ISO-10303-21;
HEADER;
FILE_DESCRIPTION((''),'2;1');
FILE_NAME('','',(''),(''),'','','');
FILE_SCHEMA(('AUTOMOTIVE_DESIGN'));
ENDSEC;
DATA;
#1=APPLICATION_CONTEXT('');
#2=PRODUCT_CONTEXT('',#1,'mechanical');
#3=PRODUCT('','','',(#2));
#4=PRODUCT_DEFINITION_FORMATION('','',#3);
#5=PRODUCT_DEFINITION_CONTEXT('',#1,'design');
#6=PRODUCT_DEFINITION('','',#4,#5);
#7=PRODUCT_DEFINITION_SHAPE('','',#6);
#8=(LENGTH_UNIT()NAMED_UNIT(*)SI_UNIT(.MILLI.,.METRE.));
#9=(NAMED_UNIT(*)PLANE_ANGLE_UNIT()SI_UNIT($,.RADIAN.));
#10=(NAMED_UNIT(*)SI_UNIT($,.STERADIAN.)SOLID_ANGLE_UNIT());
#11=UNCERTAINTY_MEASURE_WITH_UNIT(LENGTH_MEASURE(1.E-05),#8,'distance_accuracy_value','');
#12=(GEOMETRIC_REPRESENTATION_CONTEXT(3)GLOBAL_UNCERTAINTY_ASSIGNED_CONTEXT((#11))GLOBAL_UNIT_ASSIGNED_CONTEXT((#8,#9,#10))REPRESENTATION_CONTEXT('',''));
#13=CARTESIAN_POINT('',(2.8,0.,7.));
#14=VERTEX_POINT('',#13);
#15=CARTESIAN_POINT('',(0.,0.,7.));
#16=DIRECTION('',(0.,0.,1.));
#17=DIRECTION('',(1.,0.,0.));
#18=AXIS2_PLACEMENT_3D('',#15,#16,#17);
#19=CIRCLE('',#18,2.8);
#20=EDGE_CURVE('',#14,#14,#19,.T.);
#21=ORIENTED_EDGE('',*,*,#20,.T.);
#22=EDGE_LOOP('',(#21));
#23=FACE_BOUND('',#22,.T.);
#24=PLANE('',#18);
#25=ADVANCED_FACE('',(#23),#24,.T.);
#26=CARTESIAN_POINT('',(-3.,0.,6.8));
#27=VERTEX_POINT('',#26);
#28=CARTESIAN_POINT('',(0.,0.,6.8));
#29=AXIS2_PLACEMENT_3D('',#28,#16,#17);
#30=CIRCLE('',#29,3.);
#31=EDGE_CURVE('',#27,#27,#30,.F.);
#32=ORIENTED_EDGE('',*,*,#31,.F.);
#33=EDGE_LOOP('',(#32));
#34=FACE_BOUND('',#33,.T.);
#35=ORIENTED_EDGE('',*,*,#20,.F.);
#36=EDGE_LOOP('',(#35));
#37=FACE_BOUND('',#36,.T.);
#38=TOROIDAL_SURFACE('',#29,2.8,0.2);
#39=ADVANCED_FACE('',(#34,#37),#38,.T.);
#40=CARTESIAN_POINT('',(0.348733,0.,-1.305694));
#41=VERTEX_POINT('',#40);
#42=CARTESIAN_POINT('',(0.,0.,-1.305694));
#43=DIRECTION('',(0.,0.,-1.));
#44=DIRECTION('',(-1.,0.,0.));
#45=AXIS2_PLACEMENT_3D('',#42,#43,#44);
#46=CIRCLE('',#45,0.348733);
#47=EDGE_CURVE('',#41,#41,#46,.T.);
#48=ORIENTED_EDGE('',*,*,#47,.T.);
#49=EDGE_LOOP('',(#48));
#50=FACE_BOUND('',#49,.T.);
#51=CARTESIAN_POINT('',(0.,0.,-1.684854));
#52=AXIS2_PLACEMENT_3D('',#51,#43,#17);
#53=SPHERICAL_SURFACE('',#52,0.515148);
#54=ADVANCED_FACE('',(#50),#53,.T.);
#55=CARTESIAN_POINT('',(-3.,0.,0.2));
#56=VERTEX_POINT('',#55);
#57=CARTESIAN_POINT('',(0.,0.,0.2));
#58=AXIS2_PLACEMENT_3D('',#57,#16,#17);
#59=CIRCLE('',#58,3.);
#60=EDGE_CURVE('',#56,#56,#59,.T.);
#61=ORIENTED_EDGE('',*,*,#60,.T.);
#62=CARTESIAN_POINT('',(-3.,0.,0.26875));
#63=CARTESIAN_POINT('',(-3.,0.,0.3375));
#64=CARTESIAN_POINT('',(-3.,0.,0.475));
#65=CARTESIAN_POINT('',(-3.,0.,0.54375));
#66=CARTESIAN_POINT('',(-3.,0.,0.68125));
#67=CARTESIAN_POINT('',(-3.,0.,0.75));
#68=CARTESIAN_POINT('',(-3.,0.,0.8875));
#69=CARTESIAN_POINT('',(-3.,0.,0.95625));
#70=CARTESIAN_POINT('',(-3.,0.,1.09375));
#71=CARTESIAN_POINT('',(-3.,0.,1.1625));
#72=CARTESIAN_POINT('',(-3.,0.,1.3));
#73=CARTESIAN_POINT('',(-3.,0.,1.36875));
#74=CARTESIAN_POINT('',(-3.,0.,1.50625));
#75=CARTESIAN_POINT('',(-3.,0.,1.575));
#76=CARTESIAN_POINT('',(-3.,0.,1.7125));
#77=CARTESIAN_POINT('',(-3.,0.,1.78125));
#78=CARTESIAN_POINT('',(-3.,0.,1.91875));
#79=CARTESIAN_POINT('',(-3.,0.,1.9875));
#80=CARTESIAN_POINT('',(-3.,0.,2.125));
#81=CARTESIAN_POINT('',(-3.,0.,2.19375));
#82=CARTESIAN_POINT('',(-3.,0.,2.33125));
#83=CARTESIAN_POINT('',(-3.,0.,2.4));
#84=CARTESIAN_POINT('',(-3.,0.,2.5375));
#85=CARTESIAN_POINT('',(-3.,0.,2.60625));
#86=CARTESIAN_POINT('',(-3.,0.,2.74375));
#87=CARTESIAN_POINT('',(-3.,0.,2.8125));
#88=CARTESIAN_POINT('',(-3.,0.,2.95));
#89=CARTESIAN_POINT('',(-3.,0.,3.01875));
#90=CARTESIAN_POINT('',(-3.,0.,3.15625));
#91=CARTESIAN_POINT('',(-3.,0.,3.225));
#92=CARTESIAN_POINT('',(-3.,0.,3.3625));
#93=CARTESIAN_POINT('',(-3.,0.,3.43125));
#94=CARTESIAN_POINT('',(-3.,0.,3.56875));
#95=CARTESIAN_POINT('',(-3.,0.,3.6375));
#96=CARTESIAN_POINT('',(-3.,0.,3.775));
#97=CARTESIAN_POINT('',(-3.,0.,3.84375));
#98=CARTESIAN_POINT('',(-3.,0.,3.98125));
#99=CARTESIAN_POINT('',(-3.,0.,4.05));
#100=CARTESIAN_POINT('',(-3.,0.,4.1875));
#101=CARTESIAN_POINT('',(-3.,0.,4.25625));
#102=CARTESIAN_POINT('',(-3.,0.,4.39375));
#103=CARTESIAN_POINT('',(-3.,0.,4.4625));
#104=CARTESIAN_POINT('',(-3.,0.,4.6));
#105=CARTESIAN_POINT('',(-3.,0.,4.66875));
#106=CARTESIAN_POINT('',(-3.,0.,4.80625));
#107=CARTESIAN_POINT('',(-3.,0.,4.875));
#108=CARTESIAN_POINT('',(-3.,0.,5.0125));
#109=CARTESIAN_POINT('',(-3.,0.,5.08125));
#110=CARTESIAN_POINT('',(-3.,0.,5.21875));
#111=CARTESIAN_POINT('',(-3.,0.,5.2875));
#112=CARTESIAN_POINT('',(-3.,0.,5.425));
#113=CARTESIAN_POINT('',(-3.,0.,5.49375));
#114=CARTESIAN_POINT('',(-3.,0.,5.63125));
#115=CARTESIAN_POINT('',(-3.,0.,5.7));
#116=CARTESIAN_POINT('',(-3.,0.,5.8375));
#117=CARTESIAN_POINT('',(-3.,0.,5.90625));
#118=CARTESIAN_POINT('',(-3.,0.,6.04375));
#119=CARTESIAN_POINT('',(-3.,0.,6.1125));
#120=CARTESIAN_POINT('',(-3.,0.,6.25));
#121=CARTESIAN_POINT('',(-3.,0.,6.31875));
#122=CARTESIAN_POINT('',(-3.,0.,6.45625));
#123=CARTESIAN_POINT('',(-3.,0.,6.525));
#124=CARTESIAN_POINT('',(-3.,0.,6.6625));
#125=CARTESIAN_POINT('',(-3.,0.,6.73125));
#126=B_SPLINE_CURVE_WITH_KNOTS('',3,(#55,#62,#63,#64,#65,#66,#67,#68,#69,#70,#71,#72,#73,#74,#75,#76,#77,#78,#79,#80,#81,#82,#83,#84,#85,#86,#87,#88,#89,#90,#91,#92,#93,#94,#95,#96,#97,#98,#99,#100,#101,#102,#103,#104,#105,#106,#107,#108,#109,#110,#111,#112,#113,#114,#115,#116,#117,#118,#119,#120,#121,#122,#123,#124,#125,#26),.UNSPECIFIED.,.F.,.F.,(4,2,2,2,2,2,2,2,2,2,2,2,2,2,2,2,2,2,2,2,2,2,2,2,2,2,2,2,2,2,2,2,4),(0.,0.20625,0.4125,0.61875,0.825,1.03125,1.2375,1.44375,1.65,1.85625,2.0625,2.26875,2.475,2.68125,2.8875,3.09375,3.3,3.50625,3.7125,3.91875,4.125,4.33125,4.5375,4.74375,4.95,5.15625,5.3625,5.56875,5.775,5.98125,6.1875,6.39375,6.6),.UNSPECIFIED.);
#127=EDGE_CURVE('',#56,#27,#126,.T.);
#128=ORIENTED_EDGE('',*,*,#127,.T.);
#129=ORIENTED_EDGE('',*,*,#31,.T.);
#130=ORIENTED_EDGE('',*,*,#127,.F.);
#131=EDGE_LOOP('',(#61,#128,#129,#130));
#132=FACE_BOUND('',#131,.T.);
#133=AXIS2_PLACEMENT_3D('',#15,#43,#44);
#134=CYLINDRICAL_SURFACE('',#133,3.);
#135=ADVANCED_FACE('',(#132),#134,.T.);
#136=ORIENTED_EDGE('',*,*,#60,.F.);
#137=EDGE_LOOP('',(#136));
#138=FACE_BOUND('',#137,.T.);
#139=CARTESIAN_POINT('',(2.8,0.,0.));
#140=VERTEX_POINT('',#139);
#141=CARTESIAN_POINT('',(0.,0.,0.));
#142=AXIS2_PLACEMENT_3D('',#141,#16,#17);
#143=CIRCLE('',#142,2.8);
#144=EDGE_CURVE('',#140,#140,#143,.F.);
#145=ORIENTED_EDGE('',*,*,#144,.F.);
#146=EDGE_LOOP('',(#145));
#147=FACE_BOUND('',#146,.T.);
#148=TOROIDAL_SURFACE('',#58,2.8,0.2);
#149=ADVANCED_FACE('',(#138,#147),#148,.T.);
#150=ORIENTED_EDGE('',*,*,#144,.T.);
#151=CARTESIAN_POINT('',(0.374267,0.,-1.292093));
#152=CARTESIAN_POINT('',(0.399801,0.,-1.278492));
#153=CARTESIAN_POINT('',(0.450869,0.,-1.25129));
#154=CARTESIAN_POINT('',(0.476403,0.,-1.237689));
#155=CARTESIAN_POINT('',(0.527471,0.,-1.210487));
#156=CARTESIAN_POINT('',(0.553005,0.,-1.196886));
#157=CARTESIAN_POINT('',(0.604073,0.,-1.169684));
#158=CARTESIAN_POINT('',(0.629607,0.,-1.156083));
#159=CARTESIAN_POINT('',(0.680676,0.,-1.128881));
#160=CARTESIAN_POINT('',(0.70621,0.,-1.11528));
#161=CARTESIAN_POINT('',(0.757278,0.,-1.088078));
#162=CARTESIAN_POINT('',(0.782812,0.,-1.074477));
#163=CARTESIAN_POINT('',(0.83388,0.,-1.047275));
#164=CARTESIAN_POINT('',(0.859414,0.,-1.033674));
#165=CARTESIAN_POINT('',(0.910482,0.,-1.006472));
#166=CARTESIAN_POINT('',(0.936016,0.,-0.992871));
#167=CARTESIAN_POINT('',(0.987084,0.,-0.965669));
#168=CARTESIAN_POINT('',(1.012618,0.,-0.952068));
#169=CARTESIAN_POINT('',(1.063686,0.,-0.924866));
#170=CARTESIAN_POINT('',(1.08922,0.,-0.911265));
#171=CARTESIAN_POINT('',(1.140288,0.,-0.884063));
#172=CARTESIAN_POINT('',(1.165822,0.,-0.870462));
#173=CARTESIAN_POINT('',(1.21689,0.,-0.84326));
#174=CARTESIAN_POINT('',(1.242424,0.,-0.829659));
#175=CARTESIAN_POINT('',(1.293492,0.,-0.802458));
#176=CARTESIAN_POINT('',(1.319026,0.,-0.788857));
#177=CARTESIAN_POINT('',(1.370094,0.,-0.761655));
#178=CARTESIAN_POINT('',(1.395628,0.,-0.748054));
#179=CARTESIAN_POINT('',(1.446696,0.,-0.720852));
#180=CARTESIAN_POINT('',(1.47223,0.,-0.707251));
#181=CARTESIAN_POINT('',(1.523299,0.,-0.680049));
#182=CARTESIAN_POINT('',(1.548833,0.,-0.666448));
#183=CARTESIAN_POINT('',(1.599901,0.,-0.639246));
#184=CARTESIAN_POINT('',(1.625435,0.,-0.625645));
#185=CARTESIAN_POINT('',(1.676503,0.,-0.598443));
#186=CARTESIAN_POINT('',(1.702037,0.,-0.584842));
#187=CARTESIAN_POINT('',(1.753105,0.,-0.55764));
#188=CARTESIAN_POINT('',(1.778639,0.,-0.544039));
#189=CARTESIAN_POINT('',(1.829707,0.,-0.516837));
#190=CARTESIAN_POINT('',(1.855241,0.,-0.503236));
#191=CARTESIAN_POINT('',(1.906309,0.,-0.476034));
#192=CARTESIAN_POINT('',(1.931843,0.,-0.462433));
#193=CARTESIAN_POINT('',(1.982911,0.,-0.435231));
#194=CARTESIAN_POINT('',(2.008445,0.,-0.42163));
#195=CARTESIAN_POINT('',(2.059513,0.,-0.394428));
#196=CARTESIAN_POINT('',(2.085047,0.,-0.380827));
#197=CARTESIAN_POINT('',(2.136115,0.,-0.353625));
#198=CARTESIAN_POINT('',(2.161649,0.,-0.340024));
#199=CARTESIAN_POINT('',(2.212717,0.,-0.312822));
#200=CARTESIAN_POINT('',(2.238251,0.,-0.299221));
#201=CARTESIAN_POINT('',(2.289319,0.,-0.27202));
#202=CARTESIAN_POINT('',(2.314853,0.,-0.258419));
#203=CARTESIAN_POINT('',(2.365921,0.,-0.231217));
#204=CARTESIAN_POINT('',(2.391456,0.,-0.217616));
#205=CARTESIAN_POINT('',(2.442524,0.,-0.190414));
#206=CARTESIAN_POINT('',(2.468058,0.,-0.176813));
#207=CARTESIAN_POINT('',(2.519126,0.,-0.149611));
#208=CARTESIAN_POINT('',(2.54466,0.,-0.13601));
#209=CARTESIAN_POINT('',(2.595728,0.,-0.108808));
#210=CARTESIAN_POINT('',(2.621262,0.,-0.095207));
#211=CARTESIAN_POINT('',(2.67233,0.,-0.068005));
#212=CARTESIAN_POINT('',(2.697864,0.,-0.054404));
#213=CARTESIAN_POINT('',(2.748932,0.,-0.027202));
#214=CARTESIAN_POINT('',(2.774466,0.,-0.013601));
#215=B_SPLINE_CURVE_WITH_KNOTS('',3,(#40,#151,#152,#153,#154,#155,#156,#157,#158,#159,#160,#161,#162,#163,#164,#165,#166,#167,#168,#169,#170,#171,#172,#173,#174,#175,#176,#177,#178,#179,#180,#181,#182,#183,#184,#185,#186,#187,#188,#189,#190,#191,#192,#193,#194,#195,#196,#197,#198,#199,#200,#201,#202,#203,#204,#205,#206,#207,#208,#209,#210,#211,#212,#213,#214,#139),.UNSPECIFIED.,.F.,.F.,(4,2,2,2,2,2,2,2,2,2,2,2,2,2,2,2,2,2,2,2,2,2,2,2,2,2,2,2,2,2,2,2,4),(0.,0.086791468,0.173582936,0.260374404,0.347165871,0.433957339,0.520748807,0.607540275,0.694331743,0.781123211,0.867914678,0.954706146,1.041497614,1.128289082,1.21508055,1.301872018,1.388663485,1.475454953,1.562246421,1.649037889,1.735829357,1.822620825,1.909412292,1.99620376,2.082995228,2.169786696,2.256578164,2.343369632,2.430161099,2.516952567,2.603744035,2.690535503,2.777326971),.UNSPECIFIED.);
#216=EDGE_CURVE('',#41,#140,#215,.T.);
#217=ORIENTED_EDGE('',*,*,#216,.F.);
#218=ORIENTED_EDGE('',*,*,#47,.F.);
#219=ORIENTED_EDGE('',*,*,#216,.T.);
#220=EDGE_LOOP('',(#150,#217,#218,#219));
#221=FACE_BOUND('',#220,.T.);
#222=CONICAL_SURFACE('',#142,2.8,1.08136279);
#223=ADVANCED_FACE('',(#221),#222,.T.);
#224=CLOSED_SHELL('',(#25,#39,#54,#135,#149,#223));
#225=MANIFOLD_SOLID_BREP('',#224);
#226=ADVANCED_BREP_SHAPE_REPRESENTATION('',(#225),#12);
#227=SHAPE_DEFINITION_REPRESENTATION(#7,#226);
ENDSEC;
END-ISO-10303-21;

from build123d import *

# Parameters (mm, degrees)
SKETCH1_R           = 3
BOSS_EXTRUDE1_DEPTH = 7
FILLET2_R           = 0.2
FILLET3_R           = 0.2


with BuildPart() as part:
    # Sketch1 → Boss-Extrude1 (new body)
    with BuildSketch(Plane.XY):
        with Locations(Location((0, 0, 0), (0, 0, 180))):
            Circle(SKETCH1_R)
    extrude(amount=BOSS_EXTRUDE1_DEPTH)

    # Fillet2
    fillet2_edges = [part.edges().sort_by_distance(p)[0] for p in [
        (3, 0, 7),
    ]]
    fillet(fillet2_edges, radius=FILLET2_R)

    # Fillet3
    fillet3_edges = [part.edges().sort_by_distance(p)[0] for p in [
        (3, 0, 0),
    ]]
    fillet(fillet3_edges, radius=FILLET3_R)

    # Sketch4 → Revolve1 (revolve)
    with BuildSketch(Plane(origin=(0, 0, 0), x_dir=(1, 0, 0), z_dir=(0, 1, 0))):
        with BuildLine():
            Line((0, 0), (2.8, 0))
            Line((2.8, 0), (0.348733134, 1.30569363))
            ThreePointArc((0.348733134, 1.30569363), (0.479948636, 1.872008824), (0, 2.200002288))
            Line((0, 2.200002288), (0, 0))
        make_face()
    revolve(axis=Axis((0, 0, -5.421968799), (0, 0, 1)))


solid = part.part
